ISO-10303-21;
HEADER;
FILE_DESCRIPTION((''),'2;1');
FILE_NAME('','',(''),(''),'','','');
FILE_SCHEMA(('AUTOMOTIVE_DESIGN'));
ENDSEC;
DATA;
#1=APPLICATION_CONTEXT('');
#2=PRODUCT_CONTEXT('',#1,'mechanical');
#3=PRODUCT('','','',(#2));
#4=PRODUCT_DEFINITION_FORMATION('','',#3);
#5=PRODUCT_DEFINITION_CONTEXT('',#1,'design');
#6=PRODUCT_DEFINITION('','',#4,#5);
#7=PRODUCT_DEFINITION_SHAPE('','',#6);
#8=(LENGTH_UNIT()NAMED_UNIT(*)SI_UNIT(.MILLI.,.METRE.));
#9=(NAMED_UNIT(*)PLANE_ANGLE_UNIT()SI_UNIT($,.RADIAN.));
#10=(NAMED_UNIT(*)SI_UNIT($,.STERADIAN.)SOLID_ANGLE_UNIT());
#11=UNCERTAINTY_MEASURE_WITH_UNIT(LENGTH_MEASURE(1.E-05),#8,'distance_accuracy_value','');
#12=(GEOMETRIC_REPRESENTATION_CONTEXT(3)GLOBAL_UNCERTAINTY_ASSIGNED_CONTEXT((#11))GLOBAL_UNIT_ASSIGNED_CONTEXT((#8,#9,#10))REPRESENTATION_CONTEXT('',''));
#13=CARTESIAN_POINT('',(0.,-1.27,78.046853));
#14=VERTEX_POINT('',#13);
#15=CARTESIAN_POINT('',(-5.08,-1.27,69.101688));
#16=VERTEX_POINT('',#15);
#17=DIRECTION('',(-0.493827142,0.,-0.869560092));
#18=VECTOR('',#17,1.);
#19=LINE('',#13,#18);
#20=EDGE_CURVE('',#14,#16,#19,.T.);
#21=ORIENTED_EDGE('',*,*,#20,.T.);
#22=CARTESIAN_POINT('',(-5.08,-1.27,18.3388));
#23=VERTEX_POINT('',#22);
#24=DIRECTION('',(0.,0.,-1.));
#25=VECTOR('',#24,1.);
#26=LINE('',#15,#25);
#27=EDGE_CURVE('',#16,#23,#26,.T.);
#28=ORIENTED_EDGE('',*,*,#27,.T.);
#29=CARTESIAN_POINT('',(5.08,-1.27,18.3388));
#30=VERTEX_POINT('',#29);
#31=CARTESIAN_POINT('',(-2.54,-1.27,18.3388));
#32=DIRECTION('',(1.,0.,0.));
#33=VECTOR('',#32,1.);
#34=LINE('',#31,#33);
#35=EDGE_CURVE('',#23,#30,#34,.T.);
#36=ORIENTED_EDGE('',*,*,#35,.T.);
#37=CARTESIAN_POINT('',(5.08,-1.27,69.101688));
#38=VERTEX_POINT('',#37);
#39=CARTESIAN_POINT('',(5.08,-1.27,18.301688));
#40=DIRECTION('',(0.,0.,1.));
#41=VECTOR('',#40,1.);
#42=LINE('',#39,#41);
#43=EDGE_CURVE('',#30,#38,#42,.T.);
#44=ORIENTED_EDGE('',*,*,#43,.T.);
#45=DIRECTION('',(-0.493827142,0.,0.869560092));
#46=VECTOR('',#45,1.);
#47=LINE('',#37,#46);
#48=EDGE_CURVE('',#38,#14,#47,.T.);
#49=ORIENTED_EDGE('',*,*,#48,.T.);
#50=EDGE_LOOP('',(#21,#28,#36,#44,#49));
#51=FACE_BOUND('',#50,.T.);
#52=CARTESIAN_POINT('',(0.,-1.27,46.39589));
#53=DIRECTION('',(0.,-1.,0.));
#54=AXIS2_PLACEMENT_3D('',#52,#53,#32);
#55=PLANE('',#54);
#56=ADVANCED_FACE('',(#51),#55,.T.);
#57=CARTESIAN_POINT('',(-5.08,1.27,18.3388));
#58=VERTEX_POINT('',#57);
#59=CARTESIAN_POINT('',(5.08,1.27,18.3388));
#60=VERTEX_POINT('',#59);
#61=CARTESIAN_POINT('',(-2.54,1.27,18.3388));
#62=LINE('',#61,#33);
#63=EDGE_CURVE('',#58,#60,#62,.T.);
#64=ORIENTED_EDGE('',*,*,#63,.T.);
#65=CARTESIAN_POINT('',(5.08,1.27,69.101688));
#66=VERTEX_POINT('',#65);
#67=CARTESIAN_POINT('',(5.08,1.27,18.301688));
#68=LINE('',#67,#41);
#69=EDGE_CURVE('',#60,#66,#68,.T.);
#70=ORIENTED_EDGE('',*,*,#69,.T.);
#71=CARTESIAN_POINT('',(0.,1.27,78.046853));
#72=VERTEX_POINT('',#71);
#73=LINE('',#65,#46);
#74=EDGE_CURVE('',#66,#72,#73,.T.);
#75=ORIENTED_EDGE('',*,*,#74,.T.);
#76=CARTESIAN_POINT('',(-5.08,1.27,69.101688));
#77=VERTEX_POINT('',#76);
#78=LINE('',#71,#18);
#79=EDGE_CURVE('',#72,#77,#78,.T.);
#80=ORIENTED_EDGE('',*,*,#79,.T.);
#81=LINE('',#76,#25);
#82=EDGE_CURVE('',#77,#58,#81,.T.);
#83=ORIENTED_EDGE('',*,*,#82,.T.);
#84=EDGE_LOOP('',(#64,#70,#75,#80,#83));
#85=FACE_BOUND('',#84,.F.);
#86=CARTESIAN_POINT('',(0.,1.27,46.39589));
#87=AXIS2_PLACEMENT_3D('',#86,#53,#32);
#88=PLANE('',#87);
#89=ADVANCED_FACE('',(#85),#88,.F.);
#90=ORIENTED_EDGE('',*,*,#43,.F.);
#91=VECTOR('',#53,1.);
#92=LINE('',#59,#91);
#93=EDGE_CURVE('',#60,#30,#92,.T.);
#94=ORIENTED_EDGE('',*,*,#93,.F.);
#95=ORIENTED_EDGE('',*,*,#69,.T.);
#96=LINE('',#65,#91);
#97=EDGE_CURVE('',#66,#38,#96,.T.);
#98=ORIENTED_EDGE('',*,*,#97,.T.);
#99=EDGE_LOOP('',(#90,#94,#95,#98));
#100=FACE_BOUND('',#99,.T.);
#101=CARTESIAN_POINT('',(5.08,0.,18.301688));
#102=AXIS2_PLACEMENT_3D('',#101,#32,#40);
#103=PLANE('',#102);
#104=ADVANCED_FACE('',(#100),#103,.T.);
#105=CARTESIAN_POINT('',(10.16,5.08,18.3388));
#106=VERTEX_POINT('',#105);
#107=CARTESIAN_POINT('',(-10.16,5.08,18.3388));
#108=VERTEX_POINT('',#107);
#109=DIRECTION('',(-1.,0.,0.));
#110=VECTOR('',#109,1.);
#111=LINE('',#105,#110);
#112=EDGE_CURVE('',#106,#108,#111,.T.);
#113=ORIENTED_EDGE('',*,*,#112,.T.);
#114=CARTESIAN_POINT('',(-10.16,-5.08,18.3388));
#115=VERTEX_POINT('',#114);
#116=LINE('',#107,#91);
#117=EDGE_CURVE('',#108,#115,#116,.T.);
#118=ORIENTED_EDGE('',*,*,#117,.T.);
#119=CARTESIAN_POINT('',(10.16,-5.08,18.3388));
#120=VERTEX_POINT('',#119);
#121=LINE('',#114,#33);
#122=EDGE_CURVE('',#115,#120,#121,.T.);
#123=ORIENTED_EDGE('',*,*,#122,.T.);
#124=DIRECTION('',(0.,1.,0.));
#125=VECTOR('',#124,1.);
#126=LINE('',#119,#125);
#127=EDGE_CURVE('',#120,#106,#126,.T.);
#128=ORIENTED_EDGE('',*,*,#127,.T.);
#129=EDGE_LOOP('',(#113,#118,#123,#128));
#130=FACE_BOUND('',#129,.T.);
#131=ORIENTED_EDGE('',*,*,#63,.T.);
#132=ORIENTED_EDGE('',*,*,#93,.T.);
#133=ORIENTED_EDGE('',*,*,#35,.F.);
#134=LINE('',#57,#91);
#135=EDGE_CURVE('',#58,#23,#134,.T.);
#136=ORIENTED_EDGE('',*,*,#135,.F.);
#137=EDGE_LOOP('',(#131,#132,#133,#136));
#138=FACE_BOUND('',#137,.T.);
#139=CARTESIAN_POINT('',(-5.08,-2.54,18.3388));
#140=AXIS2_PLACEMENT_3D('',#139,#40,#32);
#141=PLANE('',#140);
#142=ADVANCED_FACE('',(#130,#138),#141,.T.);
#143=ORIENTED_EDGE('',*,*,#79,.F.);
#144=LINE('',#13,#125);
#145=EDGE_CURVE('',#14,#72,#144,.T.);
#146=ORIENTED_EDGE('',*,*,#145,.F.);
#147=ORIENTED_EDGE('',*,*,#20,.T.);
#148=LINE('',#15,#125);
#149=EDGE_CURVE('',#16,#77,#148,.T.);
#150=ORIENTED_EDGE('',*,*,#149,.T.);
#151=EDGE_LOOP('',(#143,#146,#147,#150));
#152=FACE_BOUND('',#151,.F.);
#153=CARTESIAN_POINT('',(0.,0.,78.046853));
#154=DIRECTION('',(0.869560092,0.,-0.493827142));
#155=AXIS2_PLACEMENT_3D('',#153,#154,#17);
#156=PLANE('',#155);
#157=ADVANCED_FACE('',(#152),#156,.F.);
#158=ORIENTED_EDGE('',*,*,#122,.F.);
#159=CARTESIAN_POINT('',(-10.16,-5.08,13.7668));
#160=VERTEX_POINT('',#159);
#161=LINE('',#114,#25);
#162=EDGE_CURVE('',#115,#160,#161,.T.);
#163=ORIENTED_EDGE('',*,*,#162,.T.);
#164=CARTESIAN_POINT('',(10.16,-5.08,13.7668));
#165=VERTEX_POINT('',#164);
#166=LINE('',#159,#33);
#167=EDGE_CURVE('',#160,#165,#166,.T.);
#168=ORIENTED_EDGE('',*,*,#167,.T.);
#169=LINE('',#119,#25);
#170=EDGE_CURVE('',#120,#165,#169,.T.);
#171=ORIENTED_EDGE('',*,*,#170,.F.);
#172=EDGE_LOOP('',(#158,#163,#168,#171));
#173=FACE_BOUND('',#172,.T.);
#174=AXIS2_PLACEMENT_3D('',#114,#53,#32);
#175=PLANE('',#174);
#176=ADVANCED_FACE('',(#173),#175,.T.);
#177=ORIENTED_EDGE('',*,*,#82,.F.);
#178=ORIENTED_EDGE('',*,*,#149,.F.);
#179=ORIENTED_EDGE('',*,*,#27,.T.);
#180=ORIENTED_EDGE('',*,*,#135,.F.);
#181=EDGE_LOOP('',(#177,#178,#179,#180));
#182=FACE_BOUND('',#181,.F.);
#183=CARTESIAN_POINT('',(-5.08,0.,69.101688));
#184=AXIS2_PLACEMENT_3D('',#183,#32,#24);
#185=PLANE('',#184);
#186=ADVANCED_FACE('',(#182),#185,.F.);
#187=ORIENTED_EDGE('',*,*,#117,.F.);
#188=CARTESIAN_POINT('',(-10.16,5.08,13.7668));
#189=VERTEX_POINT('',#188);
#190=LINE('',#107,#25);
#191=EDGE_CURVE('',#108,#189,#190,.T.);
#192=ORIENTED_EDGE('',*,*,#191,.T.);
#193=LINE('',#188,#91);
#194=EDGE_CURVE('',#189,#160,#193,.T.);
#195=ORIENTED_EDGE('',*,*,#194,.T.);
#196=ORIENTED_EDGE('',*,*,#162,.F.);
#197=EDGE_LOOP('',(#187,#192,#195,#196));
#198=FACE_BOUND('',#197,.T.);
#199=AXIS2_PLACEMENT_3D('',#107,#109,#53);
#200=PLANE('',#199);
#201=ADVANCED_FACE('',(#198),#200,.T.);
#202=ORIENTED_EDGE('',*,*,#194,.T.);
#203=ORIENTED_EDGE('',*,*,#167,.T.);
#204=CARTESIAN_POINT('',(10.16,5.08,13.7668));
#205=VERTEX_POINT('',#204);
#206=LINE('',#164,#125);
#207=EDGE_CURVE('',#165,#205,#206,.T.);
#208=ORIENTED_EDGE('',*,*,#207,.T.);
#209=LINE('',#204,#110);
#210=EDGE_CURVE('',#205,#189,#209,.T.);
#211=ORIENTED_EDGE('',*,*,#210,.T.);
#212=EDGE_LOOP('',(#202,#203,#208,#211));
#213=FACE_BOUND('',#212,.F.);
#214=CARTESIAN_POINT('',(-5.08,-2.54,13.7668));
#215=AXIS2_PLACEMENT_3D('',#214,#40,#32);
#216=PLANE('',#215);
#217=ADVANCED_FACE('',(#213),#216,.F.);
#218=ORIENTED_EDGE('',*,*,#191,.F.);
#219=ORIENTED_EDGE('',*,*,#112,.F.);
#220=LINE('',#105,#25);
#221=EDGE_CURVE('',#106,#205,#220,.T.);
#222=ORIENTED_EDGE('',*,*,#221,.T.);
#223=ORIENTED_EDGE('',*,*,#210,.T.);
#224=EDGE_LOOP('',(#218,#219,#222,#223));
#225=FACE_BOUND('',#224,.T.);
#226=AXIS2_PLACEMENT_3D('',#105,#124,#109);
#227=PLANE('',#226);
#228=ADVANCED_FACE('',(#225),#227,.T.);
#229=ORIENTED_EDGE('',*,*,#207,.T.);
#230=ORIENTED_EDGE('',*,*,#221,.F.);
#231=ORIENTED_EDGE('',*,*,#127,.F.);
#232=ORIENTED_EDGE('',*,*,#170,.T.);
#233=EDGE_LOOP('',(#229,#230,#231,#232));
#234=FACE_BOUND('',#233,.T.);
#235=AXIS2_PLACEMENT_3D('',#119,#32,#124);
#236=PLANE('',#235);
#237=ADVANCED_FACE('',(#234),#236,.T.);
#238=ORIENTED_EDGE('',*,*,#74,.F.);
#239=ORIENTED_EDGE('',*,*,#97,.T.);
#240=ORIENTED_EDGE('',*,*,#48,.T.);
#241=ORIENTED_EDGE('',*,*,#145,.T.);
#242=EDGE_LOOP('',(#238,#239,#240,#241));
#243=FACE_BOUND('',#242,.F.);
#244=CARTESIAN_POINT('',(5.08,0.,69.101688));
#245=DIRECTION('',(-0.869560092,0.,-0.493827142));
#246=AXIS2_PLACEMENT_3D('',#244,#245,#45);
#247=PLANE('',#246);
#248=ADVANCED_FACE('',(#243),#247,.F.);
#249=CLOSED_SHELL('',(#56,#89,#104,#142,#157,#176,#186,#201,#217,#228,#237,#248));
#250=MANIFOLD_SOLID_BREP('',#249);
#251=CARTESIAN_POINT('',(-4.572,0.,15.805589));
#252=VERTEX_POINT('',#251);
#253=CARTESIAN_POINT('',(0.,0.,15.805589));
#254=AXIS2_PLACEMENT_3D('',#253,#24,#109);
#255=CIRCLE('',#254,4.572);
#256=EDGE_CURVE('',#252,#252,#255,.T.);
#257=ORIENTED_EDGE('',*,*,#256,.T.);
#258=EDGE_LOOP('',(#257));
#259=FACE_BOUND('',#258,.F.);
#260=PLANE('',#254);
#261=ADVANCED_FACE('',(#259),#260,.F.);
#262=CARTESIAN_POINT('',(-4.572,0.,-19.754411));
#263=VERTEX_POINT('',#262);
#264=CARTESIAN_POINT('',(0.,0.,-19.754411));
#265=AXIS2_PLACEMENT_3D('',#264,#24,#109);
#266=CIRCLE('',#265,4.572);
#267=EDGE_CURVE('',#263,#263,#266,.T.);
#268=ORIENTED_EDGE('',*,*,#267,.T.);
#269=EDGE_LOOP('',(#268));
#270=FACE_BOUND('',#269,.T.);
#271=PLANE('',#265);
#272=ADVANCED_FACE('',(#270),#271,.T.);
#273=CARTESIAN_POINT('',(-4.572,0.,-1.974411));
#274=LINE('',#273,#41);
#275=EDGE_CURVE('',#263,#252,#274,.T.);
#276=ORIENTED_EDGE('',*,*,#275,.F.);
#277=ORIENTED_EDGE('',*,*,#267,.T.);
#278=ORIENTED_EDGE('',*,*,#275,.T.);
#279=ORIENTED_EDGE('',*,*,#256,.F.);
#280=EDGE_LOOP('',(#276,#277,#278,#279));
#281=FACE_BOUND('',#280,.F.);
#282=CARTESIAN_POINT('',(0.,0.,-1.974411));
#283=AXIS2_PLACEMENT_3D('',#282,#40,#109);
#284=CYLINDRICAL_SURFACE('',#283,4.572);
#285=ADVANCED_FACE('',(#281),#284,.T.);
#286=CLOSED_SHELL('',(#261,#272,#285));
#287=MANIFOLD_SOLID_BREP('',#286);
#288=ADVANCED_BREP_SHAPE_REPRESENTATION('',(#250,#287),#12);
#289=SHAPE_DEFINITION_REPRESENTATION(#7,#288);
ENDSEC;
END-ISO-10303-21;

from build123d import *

# Parameters (mm, degrees)
F0_W     = 4.572
F0_H     = 35.56
F3_W     = 10.16
F3_H     = 5.08
F4_DEPTH = 4.572
F6_DEPTH = 1.27
F7_DEPTH = 1.27


with BuildPart() as f1:
    # F0 (on Front) → F1 (revolve)
    with BuildSketch(Plane.XZ):
        with Locations((-2.286, -1.974411)):
            Rectangle(F0_W, F0_H)
    revolve(axis=Axis((0, 0, -1.974411), (0, 0, -1)))


with BuildPart() as f4:
    # F3 (on offset) → F4 (new body)
    with BuildSketch(Plane.XY.offset(18.3388)):
        with Locations((-5.08, -2.54)):
            Rectangle(F3_W, F3_H)
        with Locations((5.08, -2.54)):
            Rectangle(F3_W, F3_H)
        with Locations((-5.08, 2.54)):
            Rectangle(F3_W, F3_H)
        with Locations((5.08, 2.54)):
            Rectangle(F3_W, F3_H)
    extrude(amount=-F4_DEPTH)

    # F5 (on Front) → F6 (join)
    with BuildSketch(Plane.XZ):
        Polygon((-5.08, 18.301688), (0, 18.301688), (5.08, 18.301688), (5.08, 69.101688), (0, 78.046853), (-5.08, 69.101688), align=None)
    extrude(amount=-F6_DEPTH)

    # F5 (on Front) → F7 (join)
    with BuildSketch(Plane.XZ):
        Polygon((-5.08, 18.301688), (0, 18.301688), (5.08, 18.301688), (5.08, 69.101688), (0, 78.046853), (-5.08, 69.101688), align=None)
    extrude(amount=F7_DEPTH)


solid = Compound([f1.part, f4.part])
